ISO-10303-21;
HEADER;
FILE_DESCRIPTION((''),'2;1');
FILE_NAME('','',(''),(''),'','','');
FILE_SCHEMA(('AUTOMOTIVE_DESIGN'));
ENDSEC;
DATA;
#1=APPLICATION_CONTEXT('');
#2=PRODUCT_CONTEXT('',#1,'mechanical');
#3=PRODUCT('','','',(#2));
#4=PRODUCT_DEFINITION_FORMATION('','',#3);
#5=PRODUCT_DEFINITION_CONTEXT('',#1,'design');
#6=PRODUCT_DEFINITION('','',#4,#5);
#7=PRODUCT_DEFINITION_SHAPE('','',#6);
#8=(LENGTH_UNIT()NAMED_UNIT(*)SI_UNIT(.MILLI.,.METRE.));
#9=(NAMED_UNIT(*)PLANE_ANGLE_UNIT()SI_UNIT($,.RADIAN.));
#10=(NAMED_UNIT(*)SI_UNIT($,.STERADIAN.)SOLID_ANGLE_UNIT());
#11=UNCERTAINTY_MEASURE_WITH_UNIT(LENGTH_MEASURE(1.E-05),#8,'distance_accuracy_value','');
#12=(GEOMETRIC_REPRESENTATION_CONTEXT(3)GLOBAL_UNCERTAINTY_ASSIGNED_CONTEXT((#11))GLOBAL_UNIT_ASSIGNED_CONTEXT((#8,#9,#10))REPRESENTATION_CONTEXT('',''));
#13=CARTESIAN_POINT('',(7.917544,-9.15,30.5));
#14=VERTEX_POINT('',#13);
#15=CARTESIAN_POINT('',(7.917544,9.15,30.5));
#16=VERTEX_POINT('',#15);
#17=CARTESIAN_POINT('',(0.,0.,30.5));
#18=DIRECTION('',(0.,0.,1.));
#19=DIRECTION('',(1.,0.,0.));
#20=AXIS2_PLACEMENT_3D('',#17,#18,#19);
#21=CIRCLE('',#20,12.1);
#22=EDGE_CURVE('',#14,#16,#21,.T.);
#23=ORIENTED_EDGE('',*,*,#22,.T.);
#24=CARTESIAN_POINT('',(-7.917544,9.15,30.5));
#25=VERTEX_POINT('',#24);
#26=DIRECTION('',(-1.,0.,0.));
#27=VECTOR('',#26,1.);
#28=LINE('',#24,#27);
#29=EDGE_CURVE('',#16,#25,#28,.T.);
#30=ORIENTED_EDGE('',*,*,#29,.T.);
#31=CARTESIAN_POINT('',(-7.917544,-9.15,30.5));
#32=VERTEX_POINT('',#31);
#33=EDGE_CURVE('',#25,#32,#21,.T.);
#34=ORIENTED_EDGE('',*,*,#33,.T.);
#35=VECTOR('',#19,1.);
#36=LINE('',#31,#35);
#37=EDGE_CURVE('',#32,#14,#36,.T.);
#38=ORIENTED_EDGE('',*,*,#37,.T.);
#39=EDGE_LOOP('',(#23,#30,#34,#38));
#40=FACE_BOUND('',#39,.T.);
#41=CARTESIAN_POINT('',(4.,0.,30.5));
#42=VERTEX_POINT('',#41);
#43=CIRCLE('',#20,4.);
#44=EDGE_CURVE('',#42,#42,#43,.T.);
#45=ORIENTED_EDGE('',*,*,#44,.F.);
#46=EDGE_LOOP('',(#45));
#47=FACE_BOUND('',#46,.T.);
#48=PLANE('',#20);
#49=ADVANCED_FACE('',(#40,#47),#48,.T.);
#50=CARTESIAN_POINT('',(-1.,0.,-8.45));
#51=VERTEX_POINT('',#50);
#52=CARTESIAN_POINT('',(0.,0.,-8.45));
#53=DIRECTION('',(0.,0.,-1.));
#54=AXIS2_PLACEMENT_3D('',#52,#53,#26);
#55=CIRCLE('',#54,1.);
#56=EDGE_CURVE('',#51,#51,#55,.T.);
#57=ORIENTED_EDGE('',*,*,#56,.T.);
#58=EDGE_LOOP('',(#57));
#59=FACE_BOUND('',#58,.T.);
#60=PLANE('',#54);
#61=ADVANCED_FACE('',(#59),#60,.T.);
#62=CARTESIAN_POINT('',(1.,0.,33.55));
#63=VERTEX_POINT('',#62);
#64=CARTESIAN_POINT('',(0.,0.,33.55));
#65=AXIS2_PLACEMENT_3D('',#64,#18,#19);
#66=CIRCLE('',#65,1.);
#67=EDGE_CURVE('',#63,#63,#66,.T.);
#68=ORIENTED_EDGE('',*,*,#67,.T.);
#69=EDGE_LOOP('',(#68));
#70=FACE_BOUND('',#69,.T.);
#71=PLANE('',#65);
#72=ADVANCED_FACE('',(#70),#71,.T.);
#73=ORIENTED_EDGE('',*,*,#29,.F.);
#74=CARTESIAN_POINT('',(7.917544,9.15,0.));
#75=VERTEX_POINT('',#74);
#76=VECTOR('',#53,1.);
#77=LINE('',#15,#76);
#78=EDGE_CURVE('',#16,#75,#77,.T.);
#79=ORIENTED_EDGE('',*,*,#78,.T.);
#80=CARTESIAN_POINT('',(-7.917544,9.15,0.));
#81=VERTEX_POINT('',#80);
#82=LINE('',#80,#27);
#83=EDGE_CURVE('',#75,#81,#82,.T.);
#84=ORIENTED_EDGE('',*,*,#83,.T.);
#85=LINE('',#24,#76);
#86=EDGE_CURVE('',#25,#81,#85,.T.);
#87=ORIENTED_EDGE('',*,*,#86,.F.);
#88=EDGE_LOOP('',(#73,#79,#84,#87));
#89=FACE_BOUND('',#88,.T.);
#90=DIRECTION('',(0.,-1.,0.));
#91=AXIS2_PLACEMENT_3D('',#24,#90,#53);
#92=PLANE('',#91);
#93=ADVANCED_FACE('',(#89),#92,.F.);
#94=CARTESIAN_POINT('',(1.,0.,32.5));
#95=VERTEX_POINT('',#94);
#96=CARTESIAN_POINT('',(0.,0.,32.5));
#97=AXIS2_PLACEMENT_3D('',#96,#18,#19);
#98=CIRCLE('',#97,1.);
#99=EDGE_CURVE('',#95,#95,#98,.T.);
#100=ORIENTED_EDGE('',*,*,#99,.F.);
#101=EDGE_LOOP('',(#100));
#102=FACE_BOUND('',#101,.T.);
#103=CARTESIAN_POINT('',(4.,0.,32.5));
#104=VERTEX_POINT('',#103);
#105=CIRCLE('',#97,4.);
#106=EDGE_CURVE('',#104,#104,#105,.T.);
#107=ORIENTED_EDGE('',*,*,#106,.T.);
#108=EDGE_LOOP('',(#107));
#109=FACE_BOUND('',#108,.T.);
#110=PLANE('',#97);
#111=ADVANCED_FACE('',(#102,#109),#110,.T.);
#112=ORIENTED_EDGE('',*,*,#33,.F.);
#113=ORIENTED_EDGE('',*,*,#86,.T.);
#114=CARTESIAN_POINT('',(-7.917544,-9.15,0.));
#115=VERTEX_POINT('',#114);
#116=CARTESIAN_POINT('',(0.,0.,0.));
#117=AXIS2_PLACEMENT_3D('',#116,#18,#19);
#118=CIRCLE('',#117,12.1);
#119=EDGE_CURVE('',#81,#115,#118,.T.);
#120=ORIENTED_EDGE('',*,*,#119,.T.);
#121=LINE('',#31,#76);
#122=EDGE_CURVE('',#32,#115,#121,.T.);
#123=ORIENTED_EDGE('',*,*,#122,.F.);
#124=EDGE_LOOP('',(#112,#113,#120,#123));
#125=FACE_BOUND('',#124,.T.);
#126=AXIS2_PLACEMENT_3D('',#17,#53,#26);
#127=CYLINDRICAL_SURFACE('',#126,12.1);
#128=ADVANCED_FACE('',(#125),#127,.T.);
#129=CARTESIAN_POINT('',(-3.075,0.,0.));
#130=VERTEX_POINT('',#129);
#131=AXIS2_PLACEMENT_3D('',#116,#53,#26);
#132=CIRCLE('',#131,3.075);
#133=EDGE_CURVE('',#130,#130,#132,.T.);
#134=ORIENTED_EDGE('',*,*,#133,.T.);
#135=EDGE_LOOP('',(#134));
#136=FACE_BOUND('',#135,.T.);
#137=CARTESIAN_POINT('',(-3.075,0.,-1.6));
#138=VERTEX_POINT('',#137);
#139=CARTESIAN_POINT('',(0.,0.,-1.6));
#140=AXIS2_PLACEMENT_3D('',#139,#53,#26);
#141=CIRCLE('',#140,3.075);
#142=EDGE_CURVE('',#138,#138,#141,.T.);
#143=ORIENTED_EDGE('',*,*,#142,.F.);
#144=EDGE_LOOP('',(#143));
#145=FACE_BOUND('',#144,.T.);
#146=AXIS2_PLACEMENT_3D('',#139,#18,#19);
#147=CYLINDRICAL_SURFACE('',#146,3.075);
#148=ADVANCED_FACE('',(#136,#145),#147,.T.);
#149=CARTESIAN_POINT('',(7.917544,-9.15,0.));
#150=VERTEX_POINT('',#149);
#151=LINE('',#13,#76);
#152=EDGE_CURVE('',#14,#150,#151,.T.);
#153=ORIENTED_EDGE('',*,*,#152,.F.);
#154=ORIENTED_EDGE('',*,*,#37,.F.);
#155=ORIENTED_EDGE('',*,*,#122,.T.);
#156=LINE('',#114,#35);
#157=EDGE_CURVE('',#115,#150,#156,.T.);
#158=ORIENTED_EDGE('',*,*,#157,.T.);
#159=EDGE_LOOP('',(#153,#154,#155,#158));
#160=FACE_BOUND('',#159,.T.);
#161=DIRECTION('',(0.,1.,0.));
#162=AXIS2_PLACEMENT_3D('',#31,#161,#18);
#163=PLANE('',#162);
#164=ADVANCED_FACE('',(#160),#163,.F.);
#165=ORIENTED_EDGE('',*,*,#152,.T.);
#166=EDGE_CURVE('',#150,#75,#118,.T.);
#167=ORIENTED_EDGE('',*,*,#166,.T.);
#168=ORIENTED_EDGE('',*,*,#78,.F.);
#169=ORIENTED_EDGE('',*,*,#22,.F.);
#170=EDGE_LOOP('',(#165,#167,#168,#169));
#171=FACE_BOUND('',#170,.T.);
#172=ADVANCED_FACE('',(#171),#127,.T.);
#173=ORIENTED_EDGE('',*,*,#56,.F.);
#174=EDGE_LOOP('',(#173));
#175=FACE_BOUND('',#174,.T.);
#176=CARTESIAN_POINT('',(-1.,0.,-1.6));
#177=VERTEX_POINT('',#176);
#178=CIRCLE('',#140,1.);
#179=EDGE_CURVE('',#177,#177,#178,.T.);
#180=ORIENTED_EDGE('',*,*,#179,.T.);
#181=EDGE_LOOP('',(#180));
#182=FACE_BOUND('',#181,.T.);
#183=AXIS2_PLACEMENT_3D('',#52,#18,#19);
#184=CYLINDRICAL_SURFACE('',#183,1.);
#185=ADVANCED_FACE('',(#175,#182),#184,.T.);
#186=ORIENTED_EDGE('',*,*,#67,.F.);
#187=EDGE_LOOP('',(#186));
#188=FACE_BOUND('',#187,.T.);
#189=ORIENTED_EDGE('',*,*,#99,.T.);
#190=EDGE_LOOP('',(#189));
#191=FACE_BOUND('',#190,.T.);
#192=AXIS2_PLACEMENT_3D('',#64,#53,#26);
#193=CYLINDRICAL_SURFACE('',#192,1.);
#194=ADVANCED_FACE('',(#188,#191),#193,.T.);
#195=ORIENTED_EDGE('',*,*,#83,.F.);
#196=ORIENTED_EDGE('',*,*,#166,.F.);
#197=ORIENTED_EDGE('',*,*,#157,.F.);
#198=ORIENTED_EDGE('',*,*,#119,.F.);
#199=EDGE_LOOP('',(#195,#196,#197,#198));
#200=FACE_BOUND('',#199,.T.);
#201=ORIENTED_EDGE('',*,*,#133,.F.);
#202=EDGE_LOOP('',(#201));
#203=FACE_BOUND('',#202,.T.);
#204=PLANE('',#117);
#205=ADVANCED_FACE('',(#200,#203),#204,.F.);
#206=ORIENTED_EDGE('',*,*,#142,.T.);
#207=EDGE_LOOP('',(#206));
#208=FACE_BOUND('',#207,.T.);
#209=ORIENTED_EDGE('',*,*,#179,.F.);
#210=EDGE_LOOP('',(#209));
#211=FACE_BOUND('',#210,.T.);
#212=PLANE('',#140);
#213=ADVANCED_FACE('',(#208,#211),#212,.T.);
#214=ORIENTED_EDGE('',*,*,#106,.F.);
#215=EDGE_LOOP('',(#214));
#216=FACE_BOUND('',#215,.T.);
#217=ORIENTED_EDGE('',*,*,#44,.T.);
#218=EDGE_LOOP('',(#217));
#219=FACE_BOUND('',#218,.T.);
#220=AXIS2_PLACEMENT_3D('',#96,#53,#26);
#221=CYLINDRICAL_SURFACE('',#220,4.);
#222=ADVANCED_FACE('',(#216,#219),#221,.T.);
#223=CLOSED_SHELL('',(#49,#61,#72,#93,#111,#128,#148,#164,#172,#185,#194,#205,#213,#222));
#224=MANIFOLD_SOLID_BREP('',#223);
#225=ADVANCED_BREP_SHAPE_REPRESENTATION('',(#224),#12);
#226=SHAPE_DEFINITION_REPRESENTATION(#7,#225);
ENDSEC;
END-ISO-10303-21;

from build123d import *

# Parameters (mm, degrees)
BOSS_EXTRUDE1_DEPTH = 30.5
SKETCH2_R           = 3.075
BOSS_EXTRUDE2_DEPTH = 1.6
SKETCH3_R           = 1
BOSS_EXTRUDE3_DEPTH = 6.85
SKETCH4_R           = 4
BOSS_EXTRUDE4_DEPTH = 2
SKETCH5_R           = 1
BOSS_EXTRUDE5_DEPTH = 1.05


with BuildPart() as part:
    # Sketch1 → Boss-Extrude1 (new body)
    with BuildSketch(Plane.XY):
        with BuildLine():
            Line((-7.917543811, 9.15), (7.917543811, 9.15))
            ThreePointArc((7.917543811, 9.15), (12.1, 0), (7.917543811, -9.15))
            Line((7.917543811, -9.15), (-7.917543811, -9.15))
            ThreePointArc((-7.917543811, -9.15), (-12.1, 0), (-7.917543811, 9.15))
        make_face()
    extrude(amount=BOSS_EXTRUDE1_DEPTH)

    # Sketch2 → Boss-Extrude2 (add)
    with BuildSketch(Plane(origin=(0, 0, 0), x_dir=(-1, 0, 0), z_dir=(0, 0, -1))):
        Circle(SKETCH2_R)
    extrude(amount=BOSS_EXTRUDE2_DEPTH)

    # Sketch3 → Boss-Extrude3 (add)
    with BuildSketch(Plane(origin=(0, 0, -1.6), x_dir=(-1, 0, 0), z_dir=(0, 0, -1))):
        Circle(SKETCH3_R)
    extrude(amount=BOSS_EXTRUDE3_DEPTH)

    # Sketch4 → Boss-Extrude4 (add)
    with BuildSketch(Plane.XY.offset(30.5)):
        Circle(SKETCH4_R)
    extrude(amount=BOSS_EXTRUDE4_DEPTH)

    # Sketch5 → Boss-Extrude5 (add)
    with BuildSketch(Plane.XY.offset(32.5)):
        Circle(SKETCH5_R)
    extrude(amount=BOSS_EXTRUDE5_DEPTH)


solid = part.part
